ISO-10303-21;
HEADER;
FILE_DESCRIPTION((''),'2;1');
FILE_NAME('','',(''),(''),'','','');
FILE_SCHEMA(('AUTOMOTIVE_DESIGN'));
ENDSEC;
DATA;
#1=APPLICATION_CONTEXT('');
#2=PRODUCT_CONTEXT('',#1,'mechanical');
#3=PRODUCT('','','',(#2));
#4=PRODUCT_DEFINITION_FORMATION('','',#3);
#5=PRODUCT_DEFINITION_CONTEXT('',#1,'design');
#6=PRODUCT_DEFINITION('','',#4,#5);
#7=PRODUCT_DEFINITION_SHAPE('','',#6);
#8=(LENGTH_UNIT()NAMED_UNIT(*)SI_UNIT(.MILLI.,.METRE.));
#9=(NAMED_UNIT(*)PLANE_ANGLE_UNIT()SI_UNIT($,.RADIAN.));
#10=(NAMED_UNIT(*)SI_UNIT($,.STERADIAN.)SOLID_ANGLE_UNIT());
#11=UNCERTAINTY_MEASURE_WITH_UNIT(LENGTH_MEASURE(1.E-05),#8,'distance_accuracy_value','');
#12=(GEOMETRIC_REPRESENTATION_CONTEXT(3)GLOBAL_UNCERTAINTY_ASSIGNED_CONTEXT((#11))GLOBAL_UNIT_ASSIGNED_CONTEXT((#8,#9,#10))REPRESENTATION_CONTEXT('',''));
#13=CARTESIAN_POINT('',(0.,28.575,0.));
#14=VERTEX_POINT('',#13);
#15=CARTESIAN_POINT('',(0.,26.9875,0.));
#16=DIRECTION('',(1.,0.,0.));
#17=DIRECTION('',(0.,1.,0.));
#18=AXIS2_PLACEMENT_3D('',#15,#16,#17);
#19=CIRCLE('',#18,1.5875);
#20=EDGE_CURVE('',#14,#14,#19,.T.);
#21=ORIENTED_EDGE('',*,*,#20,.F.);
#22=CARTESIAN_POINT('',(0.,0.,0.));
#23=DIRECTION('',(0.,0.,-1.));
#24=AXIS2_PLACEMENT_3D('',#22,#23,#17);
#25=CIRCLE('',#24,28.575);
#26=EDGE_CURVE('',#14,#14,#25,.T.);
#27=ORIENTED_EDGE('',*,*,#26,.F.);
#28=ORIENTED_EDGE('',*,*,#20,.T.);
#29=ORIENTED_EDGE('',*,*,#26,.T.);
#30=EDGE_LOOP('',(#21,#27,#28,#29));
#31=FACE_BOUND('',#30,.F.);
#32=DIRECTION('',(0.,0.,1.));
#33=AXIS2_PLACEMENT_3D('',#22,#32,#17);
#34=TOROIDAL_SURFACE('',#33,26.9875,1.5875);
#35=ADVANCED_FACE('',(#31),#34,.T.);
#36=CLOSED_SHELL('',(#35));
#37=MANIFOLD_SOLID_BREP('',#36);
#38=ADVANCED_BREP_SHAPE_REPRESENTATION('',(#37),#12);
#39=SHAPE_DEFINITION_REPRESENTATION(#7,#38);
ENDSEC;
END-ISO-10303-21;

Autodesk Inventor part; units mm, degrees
ref_plane "YZ Plane" through (0, 0, 0) normal (1, 0, 0) x (0, 1, 0)
ref_plane "XZ Plane" through (0, 0, 0) normal (0, 1, 0) x (-1, 0, 0)
ref_plane "XY Plane" through (0, 0, 0) normal (0, 0, 1) x (1, 0, 0)
sketch "Sketch1" plane through (0, 0, 0) normal (1, 0, 0) x (0, 1, 0)
  line L0 (0, 0) -> (26.9875, 0) construction
  circle A0 centre (26.9875, 0) radius 1.5875
  line L1 (0, 0) -> (0, -12.7)
  dimension "d0" = 26.9875
  dimension "d1" = 3.175
  dimension "d2" = 12.7
revolve "Revolution1" add sketch "Sketch1" angle 360 about axis through (0, 0, 0) along (0, 0, -1)
properties part number "Band" material "Rubber"
